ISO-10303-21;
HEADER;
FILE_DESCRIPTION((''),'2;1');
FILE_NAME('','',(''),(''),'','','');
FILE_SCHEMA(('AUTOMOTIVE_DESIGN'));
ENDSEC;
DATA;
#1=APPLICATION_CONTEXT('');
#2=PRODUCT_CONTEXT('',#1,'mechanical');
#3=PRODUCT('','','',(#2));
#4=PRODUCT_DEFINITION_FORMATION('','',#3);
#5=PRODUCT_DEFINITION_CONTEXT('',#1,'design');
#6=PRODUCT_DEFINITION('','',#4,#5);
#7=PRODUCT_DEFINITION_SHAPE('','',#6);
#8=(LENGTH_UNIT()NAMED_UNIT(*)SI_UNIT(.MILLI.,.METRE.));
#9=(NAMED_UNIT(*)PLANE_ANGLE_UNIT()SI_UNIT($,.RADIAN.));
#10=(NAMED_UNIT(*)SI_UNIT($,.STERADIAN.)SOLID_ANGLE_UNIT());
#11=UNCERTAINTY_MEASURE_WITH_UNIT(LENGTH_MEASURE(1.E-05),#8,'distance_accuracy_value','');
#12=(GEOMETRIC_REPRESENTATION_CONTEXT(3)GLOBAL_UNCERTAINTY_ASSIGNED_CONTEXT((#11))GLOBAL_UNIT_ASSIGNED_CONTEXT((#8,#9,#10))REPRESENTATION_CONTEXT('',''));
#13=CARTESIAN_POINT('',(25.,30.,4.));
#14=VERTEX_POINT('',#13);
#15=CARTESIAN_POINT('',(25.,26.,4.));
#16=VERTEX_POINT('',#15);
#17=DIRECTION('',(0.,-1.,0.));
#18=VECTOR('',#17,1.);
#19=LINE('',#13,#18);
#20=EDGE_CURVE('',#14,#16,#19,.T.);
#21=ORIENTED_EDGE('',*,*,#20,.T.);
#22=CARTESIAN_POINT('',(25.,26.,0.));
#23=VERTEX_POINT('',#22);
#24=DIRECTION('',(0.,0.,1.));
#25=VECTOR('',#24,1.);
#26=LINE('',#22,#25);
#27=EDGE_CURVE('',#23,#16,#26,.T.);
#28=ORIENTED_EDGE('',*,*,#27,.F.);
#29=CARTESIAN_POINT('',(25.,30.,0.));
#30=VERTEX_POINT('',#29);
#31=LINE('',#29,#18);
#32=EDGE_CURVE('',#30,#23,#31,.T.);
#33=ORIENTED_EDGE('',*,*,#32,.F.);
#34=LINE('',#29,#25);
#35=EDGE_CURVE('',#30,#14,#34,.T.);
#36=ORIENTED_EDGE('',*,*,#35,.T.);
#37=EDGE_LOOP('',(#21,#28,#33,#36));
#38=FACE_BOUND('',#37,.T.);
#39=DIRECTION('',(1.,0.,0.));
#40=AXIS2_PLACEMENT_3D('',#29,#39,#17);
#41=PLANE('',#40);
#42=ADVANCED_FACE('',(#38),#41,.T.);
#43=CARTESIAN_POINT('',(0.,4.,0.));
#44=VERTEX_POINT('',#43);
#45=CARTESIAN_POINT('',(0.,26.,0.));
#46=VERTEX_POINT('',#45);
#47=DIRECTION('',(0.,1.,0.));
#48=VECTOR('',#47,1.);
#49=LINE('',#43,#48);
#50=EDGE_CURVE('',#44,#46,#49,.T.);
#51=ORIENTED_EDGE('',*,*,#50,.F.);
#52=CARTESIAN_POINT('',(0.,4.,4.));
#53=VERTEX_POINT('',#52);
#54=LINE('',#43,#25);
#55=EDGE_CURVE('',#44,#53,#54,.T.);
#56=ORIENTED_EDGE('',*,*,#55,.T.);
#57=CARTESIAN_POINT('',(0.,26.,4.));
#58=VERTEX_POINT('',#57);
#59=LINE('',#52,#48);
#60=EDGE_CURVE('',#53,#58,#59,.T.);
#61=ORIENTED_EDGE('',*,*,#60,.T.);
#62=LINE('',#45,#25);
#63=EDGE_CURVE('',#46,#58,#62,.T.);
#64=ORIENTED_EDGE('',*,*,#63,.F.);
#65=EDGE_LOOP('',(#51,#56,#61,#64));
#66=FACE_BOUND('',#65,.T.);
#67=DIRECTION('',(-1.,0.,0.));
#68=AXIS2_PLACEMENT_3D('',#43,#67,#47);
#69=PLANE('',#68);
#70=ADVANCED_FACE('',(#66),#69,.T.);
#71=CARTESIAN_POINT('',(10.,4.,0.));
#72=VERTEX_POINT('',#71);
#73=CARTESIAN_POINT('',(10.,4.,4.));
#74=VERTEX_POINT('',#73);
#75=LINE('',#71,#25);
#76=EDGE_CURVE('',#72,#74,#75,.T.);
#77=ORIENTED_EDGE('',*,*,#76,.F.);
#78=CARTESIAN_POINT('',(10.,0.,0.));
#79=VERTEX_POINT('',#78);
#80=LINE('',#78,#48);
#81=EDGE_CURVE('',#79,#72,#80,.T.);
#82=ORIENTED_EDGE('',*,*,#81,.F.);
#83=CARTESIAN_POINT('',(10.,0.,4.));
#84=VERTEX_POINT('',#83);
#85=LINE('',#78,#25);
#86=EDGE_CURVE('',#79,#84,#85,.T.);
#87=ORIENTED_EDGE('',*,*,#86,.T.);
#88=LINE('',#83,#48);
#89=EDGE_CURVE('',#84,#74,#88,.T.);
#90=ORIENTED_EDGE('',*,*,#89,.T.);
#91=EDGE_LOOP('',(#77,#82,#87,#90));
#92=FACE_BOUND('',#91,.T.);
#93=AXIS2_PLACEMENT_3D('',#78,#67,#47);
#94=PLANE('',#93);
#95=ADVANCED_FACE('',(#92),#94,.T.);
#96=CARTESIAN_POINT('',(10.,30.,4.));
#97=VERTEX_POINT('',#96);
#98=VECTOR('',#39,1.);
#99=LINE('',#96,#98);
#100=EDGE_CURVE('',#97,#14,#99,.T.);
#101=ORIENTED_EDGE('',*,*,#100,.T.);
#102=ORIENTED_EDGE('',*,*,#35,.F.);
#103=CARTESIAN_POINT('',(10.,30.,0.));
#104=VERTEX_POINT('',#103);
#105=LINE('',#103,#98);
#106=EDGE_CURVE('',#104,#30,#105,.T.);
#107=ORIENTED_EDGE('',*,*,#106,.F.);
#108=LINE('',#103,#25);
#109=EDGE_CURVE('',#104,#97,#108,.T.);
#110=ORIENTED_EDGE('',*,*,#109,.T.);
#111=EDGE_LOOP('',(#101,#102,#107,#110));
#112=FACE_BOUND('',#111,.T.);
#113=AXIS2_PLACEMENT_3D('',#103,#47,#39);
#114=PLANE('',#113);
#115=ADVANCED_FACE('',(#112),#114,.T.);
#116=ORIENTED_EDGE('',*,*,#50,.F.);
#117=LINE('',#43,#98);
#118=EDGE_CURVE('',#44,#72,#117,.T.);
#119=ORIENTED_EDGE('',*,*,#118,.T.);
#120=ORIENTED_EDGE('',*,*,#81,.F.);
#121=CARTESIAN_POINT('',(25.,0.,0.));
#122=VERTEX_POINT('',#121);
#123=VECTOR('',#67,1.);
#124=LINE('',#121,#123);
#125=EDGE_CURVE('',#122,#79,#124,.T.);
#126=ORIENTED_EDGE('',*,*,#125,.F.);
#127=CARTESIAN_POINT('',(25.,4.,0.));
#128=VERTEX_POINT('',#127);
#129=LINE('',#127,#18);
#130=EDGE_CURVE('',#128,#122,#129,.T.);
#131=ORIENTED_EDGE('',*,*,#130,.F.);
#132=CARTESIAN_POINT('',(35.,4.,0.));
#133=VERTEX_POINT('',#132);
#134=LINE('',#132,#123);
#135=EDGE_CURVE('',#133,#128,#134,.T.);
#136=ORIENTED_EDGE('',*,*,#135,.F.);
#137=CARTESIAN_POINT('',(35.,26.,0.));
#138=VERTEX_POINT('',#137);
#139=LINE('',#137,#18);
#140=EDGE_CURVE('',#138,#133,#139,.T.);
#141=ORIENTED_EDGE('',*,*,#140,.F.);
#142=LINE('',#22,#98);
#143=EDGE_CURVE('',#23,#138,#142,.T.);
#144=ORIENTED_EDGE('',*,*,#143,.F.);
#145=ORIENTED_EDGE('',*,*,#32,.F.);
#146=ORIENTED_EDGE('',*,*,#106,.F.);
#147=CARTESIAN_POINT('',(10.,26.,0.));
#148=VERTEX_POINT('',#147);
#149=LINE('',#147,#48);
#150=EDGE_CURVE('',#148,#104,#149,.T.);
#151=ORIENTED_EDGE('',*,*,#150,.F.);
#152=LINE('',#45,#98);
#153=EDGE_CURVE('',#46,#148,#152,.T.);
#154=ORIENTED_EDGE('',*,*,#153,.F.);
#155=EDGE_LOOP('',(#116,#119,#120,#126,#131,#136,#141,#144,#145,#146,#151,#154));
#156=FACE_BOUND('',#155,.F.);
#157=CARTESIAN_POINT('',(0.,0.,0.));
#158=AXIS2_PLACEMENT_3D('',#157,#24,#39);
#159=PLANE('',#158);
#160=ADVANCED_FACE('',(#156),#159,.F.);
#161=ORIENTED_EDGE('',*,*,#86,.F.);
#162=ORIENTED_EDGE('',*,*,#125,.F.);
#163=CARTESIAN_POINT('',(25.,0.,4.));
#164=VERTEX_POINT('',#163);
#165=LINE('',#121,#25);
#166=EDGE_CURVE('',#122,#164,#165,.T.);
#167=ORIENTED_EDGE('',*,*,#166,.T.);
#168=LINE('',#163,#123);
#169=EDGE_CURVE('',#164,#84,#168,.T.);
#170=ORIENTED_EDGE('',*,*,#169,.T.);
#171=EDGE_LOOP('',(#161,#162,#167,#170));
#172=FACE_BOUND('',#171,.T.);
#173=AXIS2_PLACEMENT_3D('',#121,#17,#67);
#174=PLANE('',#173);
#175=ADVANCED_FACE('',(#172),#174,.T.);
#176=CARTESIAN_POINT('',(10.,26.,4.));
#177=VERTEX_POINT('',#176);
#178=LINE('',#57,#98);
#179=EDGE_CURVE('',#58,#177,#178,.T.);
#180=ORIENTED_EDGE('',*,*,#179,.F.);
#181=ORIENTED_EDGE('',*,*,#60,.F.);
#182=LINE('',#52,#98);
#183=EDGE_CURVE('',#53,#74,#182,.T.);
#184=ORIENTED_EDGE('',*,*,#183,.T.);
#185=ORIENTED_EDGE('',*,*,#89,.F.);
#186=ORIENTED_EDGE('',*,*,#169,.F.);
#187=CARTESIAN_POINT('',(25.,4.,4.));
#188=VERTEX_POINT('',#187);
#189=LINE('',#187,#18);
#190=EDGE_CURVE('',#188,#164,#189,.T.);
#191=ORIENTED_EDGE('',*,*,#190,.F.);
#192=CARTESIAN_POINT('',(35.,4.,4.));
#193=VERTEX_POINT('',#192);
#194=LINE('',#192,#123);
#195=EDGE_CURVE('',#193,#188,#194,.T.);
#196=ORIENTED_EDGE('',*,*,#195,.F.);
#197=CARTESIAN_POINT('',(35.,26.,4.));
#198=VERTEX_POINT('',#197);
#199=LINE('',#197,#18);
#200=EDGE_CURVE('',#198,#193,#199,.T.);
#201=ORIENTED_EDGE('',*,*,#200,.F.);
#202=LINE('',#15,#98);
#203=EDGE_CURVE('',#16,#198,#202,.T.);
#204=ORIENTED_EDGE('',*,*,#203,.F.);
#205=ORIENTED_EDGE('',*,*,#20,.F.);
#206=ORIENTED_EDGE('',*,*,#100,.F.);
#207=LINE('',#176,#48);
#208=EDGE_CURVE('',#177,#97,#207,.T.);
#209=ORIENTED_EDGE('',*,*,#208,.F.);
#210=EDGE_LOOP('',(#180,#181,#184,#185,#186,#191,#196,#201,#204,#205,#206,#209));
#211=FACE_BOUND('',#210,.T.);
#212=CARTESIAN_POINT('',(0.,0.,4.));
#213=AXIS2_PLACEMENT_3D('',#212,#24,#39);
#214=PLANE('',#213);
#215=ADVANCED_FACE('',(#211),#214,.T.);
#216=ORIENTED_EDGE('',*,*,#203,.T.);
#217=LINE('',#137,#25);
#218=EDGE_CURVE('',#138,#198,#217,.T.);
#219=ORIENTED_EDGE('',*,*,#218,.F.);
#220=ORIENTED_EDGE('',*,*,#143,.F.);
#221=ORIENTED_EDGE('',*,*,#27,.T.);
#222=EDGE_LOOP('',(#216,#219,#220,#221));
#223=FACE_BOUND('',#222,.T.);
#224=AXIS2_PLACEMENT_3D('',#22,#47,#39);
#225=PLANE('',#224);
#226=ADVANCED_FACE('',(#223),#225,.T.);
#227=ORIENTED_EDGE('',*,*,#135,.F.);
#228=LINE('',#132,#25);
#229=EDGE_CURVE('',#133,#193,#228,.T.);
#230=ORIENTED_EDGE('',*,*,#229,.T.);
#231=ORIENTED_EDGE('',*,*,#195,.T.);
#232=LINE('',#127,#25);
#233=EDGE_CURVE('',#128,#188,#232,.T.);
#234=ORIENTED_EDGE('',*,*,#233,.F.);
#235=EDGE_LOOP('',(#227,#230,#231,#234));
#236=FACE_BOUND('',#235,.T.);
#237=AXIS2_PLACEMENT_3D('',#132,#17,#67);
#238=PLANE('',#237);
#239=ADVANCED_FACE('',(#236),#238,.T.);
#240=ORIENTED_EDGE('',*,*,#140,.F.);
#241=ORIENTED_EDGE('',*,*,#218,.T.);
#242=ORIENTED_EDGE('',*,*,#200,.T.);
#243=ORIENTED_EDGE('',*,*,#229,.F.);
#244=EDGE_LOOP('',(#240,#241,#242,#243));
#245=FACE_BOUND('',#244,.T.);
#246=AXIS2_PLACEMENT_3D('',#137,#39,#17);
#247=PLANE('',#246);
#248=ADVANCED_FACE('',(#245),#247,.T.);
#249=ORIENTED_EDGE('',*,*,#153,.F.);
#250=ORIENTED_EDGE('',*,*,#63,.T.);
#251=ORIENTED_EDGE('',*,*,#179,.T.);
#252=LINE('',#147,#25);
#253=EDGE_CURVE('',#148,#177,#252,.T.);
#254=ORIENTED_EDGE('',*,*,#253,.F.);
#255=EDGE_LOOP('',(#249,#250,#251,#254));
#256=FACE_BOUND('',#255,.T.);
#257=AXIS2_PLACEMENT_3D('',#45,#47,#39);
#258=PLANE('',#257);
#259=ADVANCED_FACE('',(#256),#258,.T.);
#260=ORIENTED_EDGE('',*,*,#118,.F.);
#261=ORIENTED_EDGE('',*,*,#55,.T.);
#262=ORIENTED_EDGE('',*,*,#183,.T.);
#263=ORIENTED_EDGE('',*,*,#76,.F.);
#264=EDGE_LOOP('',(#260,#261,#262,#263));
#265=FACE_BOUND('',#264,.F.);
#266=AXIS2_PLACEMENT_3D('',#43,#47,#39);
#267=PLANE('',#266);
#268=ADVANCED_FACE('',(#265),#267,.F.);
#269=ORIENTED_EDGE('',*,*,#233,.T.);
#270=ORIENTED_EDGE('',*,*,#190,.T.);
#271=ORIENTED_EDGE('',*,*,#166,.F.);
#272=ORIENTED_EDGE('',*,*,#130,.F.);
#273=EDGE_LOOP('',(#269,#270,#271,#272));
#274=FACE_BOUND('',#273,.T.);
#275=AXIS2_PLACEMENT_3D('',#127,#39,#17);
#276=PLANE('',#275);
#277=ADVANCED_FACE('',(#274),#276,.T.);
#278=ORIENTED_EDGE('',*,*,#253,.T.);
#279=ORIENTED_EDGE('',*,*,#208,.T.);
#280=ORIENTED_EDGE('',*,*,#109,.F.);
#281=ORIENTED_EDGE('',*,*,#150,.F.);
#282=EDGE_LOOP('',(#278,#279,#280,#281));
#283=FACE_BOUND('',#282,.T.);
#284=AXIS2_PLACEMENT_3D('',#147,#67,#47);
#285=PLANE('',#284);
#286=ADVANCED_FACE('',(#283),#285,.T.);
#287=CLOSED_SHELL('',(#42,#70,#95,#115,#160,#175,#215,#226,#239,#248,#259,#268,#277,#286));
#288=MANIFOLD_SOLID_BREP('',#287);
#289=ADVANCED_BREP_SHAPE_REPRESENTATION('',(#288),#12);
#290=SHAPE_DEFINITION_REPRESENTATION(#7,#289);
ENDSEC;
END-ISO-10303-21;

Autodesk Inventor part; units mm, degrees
ref_plane "YZ Plane" through (0, 0, 0) normal (1, 0, 0) x (0, 1, 0)
ref_plane "XZ Plane" through (0, 0, 0) normal (0, 1, 0) x (-1, 0, 0)
ref_plane "XY Plane" through (0, 0, 0) normal (0, 0, 1) x (1, 0, 0)
sketch "Sketch1" plane through (0, 0, 0) normal (0, 0, 1) x (1, 0, 0)
  line L0 (0, 4) -> (0, 26)
  line L1 (0, 26) -> (10, 26)
  line L2 (10, 26) -> (10, 30)
  line L3 (10, 30) -> (25, 30)
  line L4 (25, 30) -> (25, 26)
  line L5 (25, 26) -> (35, 26)
  line L6 (35, 26) -> (35, 4)
  line L7 (35, 4) -> (25, 4)
  line L8 (25, 4) -> (25, 0)
  line L9 (25, 0) -> (10, 0)
  line L10 (10, 0) -> (10, 4)
  line L11 (0, 4) -> (10, 4)
  point P0 (0, 0)
  dimension "d0" = 22
  dimension "d1" = 10
  dimension "d2" = 4
  dimension "d3" = 15
  dimension "d4" = 10
  dimension "d5" = 22
extrude "Extrusion1" add sketch "Sketch1" along normal blind 4
properties part number "stubbur"
